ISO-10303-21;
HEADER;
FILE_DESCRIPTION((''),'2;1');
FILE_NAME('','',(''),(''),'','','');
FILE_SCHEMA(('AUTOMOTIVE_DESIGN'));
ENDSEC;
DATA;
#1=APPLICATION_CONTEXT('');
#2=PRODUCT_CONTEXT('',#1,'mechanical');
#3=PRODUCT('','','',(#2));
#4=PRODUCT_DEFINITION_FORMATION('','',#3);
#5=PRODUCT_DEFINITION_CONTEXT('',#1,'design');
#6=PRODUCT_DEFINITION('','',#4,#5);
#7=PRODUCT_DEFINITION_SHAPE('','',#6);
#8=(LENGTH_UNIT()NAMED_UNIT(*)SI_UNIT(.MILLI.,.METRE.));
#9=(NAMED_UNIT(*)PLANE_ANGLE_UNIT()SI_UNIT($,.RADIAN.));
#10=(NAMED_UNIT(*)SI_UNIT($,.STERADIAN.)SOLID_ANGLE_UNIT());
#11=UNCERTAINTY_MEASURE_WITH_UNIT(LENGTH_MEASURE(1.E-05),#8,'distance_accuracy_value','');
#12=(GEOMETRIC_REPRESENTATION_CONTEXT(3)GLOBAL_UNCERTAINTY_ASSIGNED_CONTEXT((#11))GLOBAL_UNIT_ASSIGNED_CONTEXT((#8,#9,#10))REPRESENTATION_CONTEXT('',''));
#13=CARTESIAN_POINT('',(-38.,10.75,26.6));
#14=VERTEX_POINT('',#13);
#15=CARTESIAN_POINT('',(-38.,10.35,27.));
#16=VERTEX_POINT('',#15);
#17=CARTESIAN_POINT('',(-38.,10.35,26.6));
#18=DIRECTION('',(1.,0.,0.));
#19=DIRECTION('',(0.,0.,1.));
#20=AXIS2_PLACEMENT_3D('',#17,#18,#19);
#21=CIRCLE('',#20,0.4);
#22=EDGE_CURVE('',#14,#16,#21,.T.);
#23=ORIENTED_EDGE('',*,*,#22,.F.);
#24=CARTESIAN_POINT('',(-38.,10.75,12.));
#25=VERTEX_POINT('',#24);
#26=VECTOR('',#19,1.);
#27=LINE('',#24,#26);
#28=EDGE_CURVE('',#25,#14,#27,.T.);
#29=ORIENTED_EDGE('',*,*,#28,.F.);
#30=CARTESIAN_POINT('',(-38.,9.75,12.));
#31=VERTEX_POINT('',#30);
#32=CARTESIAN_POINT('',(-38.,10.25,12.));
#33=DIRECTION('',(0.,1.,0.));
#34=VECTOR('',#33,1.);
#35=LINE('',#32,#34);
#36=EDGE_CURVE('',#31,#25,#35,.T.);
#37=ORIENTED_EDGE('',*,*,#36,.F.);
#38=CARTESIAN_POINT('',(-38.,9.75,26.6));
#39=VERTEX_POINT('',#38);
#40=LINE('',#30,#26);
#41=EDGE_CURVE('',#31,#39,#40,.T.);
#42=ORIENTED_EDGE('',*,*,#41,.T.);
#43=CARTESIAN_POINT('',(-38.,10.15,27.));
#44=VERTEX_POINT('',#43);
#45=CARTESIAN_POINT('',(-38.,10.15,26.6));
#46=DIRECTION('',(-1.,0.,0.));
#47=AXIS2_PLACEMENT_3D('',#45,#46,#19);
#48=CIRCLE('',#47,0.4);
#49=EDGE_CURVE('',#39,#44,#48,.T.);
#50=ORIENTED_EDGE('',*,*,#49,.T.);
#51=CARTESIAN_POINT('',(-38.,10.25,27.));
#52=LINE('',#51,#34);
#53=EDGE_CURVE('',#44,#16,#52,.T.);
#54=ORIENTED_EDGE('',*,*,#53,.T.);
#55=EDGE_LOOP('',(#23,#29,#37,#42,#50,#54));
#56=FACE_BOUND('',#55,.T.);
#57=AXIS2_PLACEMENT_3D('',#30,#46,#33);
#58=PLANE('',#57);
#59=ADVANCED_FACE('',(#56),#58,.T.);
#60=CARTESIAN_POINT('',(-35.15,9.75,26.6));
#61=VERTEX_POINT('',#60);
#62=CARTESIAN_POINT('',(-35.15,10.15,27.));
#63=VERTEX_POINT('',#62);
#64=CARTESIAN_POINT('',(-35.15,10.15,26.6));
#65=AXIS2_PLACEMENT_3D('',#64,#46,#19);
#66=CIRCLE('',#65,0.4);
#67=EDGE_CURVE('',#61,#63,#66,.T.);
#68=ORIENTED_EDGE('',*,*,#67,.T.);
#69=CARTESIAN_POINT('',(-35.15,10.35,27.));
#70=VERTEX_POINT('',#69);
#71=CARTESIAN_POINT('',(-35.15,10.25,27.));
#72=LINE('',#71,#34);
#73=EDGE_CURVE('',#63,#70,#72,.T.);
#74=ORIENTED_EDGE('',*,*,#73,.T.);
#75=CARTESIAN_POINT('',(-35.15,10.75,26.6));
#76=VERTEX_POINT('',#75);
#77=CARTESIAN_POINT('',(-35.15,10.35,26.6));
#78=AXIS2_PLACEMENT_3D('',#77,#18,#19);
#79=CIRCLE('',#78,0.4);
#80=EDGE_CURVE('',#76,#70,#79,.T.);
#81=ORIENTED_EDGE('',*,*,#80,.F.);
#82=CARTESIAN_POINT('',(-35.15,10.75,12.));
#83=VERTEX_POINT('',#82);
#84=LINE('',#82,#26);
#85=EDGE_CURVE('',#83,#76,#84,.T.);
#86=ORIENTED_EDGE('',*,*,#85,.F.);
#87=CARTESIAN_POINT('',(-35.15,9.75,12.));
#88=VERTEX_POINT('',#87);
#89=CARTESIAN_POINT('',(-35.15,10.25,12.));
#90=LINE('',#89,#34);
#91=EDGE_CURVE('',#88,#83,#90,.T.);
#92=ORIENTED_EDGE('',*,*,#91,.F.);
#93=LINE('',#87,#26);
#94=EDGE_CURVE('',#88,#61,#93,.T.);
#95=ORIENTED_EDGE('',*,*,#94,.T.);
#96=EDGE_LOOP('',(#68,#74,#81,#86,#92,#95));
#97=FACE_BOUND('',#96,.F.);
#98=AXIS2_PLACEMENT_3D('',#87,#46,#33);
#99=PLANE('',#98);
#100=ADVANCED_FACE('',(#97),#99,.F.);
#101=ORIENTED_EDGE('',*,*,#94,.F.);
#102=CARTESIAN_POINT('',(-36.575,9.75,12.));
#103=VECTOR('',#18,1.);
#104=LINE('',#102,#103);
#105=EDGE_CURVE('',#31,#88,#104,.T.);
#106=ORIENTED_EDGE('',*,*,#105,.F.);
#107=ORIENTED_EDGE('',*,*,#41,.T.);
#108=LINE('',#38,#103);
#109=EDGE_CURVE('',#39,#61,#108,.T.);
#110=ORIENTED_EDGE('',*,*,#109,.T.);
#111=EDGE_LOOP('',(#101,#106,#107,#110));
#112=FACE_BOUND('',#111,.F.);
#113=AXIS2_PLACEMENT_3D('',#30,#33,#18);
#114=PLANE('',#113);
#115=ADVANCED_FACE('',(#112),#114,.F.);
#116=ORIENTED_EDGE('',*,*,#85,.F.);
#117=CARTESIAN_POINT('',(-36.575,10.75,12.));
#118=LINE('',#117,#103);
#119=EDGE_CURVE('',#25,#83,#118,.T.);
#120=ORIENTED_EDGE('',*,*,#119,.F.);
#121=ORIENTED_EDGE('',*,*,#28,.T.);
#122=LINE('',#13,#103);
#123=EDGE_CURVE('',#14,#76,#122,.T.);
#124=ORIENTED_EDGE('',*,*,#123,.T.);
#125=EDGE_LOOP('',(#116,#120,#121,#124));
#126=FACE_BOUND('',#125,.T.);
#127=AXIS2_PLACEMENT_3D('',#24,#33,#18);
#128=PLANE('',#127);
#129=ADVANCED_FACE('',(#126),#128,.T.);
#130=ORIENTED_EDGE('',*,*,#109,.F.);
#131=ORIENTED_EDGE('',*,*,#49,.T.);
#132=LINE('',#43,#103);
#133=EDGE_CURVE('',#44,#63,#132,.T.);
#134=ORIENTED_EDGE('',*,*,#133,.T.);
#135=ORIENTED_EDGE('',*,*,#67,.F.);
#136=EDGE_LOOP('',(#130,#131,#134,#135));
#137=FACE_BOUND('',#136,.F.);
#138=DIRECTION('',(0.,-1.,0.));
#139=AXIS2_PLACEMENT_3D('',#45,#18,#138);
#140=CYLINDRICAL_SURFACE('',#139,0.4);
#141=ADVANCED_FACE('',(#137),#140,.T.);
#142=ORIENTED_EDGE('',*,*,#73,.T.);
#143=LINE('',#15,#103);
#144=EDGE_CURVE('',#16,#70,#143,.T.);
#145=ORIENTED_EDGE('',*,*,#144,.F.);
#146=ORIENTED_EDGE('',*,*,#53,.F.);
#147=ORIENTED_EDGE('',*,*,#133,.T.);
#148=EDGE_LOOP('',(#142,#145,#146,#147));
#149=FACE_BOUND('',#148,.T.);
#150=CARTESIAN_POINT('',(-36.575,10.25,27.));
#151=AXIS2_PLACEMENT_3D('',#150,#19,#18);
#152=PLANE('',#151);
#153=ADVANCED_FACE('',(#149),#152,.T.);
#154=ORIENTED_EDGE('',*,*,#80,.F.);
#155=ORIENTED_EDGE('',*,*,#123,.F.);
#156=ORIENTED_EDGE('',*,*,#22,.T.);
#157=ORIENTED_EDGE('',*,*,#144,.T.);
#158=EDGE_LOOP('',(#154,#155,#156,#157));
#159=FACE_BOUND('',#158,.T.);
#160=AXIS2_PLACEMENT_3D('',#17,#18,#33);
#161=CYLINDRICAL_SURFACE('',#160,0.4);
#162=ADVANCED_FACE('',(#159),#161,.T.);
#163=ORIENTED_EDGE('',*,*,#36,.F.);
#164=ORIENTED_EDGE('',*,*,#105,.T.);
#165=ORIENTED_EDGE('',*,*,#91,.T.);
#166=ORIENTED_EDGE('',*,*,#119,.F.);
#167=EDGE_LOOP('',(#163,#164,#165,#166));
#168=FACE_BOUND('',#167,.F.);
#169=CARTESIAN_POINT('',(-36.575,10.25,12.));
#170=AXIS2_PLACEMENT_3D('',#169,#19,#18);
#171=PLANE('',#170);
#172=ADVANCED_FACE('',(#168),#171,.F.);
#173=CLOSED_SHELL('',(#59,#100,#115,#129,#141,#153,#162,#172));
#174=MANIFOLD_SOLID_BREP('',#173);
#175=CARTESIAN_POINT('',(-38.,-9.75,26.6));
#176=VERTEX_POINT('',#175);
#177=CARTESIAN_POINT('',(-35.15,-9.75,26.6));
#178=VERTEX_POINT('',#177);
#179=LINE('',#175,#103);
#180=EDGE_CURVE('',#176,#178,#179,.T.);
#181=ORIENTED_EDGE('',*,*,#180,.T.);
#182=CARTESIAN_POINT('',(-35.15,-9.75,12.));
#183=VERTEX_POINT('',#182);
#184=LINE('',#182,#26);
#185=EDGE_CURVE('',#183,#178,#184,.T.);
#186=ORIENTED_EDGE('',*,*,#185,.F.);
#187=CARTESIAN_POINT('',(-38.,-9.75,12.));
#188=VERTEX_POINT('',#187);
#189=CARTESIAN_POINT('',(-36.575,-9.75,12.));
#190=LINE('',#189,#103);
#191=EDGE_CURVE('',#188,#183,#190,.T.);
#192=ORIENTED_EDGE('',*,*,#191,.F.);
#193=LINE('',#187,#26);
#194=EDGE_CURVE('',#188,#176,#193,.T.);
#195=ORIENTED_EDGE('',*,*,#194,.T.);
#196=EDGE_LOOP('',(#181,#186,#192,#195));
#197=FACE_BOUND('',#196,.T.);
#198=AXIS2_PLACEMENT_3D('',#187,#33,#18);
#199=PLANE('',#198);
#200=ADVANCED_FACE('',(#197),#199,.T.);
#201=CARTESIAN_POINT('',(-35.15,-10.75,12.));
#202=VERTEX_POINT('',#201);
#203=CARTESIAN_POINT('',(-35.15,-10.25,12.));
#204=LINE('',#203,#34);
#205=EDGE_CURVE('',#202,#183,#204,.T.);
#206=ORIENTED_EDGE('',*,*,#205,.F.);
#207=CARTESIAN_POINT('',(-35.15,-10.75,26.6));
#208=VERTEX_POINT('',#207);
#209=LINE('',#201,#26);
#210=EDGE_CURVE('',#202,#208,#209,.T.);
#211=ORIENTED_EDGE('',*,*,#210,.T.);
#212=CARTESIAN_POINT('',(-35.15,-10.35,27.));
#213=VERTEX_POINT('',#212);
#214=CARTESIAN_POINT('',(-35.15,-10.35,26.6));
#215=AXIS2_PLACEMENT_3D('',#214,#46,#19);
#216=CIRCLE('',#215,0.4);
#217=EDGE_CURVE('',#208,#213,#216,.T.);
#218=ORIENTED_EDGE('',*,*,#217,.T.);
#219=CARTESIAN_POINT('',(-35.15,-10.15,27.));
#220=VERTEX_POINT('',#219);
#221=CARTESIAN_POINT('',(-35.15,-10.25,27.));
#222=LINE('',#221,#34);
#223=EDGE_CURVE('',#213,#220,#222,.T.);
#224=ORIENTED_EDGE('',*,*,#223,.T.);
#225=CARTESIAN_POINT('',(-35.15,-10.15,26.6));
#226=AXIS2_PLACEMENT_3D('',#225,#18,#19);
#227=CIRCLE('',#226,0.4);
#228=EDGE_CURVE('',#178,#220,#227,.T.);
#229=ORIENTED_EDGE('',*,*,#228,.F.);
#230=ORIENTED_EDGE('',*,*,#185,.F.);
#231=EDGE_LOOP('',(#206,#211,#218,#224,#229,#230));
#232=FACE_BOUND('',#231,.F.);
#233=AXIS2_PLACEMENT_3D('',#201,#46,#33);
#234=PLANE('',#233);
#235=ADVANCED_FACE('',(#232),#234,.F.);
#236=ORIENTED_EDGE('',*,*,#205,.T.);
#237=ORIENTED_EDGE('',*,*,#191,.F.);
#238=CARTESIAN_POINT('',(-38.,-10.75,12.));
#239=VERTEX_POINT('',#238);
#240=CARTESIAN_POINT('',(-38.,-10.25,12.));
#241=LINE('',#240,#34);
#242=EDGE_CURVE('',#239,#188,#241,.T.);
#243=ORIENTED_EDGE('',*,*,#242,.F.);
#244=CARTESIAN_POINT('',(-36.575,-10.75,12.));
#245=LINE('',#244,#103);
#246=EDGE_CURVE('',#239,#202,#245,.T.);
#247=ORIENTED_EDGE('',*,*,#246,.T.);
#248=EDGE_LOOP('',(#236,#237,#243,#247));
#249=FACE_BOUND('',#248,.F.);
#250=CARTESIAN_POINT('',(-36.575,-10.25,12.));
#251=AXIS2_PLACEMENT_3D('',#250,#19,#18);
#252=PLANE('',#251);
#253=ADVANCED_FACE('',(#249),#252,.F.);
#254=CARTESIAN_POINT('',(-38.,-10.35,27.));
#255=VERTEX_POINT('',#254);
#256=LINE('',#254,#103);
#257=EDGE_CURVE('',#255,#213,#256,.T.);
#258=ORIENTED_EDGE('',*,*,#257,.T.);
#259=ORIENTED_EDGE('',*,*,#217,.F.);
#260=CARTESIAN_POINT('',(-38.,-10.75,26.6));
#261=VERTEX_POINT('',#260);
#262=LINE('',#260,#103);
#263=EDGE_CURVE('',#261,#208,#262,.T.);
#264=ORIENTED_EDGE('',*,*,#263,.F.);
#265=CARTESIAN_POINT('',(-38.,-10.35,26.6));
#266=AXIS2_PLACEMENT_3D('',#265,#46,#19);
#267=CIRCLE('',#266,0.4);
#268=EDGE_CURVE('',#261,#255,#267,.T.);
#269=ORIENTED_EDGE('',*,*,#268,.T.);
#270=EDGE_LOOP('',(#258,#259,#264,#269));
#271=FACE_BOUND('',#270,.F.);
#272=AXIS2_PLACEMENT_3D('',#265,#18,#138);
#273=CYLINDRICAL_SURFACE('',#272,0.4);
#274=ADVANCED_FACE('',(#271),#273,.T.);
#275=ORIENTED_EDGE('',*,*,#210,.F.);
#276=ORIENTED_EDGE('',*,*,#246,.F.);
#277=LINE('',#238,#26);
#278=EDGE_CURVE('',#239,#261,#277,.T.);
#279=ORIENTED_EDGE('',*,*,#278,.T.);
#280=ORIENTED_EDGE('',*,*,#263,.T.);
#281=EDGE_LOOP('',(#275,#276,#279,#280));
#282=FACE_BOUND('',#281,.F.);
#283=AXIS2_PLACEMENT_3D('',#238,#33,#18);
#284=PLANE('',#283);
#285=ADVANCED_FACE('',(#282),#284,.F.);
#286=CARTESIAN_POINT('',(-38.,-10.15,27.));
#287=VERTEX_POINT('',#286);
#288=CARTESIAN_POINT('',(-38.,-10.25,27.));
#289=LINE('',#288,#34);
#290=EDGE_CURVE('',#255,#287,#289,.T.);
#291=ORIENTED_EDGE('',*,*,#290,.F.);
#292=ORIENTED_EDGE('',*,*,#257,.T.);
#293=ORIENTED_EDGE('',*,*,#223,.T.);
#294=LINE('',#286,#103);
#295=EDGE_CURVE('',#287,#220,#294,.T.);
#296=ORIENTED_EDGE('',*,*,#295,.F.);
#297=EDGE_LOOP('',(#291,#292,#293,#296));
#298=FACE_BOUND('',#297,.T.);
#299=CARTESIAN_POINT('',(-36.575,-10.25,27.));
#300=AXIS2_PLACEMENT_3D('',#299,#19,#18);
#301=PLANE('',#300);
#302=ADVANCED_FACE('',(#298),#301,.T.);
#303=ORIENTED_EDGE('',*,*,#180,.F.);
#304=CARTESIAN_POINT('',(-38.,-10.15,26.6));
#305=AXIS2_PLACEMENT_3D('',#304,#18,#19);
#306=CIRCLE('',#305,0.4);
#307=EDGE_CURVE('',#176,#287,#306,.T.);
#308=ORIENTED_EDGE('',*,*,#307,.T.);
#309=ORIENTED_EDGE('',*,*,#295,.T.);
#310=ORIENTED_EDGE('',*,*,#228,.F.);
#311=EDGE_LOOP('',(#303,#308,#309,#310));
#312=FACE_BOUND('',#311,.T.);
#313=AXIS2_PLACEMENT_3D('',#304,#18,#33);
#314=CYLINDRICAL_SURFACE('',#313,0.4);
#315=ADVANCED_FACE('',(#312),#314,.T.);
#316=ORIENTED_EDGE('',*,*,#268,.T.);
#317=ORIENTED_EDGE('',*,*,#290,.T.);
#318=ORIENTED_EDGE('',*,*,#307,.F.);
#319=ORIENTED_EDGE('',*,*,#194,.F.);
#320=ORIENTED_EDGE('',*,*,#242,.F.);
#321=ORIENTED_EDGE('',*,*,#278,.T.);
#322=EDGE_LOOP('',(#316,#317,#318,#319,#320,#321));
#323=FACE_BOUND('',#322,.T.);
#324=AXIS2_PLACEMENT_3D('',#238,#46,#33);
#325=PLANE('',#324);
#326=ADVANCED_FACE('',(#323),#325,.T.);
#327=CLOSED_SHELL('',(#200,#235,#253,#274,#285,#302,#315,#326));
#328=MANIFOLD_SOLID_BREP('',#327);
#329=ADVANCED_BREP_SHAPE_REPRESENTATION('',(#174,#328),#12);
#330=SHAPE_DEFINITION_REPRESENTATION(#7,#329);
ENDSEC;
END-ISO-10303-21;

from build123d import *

# Parameters (mm, degrees)
BOX002_W     = 2.85
BOX002_H     = 1
BOX002_DEPTH = 15
BOX003_W     = 2.85
BOX003_H     = 1
BOX003_DEPTH = 15
FILLET007_R  = 0.4


with BuildPart() as cube002:
    # Box002 → Box002 (new body)
    with BuildSketch(Plane(origin=(-38, -10.75, 12), x_dir=(1, 0, 0), z_dir=(0, 0, 1))):
        with Locations((1.425, 0.5)):
            Rectangle(BOX002_W, BOX002_H)
    extrude(amount=BOX002_DEPTH)


with BuildPart() as side_cut:
    # Box003 → Box003 (new body)
    with BuildSketch(Plane(origin=(-38, 9.75, 12), x_dir=(1, 0, 0), z_dir=(0, 0, 1))):
        with Locations((1.425, 0.5)):
            Rectangle(BOX003_W, BOX003_H)
    extrude(amount=BOX003_DEPTH)

    # Fusion005: union Cube002
    add(cube002.part)

    # Fillet007
    fillet007_edges = [side_cut.edges().sort_by_distance(p)[0] for p in [
        (-36.575, 9.75, 27),
        (-36.575, 10.75, 27),
        (-36.575, -10.75, 27),
        (-36.575, -9.75, 27),
    ]]
    fillet(fillet007_edges, radius=FILLET007_R)


solid = side_cut.part
